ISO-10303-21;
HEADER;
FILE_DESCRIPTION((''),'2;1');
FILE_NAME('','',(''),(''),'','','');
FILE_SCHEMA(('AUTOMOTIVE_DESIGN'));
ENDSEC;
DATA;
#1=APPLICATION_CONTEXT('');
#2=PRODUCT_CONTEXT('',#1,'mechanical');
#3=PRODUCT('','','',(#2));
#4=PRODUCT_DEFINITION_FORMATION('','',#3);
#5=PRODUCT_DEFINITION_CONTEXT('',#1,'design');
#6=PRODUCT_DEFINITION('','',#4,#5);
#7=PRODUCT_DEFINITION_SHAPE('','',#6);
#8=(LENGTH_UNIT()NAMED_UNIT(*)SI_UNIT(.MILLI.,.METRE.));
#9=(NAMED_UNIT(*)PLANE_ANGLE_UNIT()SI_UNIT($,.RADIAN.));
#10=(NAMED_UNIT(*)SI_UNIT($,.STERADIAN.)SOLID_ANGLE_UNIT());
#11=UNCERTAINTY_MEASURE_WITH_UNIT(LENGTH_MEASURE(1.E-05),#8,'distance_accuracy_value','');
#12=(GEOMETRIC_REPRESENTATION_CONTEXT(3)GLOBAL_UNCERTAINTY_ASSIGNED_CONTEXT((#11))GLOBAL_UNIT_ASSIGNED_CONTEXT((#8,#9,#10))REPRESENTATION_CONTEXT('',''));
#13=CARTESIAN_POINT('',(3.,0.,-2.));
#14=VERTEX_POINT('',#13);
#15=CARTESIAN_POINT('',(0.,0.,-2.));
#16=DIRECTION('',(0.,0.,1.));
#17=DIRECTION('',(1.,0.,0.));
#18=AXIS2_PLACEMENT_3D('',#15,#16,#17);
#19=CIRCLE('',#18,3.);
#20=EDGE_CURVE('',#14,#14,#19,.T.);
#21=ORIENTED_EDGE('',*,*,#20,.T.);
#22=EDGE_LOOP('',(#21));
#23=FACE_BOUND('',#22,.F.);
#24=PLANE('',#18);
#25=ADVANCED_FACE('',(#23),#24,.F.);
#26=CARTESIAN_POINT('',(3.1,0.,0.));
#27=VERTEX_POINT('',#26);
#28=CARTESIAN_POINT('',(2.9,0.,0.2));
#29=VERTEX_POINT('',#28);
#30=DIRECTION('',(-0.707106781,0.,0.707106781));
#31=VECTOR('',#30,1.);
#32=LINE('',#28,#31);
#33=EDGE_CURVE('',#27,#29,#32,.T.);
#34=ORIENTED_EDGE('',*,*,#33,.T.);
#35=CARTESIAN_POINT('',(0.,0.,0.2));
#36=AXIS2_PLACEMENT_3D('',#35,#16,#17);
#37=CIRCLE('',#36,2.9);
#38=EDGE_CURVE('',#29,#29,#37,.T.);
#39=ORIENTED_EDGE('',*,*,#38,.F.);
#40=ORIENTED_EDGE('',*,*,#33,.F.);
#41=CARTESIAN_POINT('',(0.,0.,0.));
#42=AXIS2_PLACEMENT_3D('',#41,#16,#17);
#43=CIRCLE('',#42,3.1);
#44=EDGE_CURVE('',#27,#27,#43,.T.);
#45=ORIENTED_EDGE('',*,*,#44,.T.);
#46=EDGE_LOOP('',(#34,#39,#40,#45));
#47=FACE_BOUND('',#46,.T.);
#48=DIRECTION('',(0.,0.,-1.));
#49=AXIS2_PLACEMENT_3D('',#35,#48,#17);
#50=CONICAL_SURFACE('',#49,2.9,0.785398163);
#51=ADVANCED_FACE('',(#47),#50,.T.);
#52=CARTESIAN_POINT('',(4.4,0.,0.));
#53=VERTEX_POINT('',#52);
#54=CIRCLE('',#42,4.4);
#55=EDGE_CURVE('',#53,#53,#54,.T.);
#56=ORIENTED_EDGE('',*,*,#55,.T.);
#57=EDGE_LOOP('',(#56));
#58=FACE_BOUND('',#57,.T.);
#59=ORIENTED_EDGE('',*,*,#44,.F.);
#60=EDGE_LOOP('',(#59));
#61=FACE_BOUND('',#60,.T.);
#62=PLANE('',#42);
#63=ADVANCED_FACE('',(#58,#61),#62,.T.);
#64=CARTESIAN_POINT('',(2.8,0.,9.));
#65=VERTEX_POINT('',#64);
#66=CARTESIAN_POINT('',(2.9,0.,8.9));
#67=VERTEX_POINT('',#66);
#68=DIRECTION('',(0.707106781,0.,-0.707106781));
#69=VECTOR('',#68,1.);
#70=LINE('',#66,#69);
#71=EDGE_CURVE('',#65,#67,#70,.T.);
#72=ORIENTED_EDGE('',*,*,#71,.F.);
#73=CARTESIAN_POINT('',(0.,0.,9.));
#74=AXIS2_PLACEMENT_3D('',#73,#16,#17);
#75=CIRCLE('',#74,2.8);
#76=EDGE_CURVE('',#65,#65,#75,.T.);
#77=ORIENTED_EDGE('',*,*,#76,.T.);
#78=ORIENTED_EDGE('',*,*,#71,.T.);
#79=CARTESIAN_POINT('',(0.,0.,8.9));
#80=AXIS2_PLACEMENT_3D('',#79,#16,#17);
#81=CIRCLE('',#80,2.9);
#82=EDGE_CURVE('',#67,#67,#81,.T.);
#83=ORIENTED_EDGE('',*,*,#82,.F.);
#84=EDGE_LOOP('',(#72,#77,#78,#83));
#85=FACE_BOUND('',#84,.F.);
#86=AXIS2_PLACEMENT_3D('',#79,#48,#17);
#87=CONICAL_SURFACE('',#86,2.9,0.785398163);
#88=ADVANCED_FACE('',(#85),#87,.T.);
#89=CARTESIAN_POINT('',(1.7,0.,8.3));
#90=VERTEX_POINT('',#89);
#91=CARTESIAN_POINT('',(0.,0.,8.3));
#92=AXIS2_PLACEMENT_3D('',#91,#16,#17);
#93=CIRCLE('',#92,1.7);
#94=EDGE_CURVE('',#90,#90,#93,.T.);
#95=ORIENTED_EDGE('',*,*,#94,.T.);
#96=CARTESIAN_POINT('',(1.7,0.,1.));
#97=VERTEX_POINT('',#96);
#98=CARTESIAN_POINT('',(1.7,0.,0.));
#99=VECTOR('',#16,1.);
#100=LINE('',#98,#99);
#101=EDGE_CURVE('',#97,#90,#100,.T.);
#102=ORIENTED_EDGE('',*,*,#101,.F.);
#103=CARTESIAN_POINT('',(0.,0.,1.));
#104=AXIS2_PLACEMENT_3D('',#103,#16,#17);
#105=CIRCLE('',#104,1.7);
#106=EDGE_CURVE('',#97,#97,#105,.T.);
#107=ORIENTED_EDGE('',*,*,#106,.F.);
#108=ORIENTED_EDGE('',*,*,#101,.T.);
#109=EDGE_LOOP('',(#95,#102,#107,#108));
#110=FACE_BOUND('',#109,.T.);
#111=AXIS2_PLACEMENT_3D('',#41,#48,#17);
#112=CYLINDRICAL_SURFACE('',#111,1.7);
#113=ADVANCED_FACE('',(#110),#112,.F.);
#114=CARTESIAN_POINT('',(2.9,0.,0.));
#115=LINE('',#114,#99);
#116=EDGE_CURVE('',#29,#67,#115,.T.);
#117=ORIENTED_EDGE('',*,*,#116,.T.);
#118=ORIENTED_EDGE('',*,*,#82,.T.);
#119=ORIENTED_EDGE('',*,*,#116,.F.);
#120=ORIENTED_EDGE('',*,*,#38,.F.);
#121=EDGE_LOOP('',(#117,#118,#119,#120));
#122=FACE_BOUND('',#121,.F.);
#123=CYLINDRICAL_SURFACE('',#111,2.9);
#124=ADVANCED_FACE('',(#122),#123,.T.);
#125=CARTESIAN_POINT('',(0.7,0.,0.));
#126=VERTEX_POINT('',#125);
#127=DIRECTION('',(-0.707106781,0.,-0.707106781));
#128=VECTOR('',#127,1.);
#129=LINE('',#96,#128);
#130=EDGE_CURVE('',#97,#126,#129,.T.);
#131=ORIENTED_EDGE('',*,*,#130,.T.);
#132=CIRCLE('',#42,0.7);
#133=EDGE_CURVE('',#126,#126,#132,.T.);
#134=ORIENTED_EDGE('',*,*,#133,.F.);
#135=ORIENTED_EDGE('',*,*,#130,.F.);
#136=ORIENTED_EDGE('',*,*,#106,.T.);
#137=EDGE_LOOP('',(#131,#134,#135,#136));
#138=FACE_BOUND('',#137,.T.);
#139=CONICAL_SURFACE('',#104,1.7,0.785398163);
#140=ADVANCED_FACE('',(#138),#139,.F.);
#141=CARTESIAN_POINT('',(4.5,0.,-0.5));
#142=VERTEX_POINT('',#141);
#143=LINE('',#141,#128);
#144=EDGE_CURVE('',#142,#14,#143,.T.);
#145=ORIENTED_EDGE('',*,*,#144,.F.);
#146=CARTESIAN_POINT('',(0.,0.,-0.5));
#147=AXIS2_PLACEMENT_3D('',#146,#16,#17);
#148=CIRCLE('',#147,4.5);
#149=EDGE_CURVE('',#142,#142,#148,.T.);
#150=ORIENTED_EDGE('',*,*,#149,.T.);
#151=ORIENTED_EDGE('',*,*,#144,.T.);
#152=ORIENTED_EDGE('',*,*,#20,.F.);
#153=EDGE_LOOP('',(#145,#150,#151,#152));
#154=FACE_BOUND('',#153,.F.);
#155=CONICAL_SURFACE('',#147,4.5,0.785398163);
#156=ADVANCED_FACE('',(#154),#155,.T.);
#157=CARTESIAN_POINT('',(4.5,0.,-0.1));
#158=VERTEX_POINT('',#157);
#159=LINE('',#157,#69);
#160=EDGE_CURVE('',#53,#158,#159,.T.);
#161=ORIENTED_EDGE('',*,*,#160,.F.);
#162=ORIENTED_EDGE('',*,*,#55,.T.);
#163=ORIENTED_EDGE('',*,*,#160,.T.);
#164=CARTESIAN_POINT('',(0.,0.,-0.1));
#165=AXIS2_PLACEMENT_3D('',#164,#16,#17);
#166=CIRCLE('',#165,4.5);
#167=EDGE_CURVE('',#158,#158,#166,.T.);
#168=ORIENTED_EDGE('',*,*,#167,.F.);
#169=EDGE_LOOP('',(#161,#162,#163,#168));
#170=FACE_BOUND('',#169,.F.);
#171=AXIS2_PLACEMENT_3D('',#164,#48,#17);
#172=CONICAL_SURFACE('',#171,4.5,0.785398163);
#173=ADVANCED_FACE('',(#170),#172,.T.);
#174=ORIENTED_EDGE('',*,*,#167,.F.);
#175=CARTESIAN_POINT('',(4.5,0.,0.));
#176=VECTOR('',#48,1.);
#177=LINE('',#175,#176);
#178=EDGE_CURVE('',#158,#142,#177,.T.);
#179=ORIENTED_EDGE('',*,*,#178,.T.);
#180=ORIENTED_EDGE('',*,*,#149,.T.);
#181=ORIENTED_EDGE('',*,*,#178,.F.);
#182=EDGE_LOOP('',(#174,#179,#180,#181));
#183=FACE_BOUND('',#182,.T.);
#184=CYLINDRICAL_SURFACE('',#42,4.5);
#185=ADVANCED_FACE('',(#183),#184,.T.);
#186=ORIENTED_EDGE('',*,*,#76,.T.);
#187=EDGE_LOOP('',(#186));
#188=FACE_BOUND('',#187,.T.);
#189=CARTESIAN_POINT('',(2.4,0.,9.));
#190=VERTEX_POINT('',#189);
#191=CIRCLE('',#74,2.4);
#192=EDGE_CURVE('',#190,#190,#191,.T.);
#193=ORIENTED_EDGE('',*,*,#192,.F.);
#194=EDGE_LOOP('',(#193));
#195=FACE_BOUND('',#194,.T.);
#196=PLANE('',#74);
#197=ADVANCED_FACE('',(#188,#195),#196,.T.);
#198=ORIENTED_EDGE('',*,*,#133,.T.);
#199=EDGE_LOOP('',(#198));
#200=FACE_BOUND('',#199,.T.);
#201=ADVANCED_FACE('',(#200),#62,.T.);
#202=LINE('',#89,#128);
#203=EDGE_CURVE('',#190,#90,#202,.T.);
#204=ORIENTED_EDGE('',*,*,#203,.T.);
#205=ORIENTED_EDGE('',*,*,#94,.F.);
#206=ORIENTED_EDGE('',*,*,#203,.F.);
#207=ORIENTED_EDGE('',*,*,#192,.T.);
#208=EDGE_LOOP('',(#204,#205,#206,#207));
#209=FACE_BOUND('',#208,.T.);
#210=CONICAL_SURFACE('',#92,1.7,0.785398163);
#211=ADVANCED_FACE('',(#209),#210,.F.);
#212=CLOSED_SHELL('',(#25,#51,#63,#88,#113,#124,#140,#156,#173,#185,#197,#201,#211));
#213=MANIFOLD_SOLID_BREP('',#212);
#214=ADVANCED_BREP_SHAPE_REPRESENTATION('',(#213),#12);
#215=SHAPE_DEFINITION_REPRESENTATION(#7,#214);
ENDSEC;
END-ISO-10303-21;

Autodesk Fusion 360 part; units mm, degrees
sketch "Esquisse1" plane through (0, 0, 0) normal (0, 0, 1) x (1, 0, 0)
  circle A0 centre (0, 0) radius 4.5
  circle A1 centre (0, 0) radius 2.9
  circle A2 centre (0, 0) radius 1.7
  dimension "d1" = 5.8
  dimension "d2" = 3.4
  dimension "d3" = 9
extrude "Extrusion1" add sketch "Esquisse1" along normal blind 9 contours A1
extrude "Extrusion2" add sketch "Esquisse1" against normal blind 2 contours A0 | A1 | A2
chamfer "Chanfrein1" distance 1 angle 45 1 edges at (-1.585, 0.6147, 0)
chamfer "Chanfrein2" distance 1.5 angle 45 1 edges at (-4.1955, 1.6273, -2)
chamfer "Chanfrein3" distance 0.7 angle 45 1 edges at (-1.585, 0.6147, 9)
chamfer "Chanfrein4" distance 0.1 angle 45 1 edges at (-2.7037, -1.0487, 9)
chamfer "Chanfrein5" distance 0.1 angle 45 1 edges at (-4.1955, -1.6273, 0)
chamfer "Chanfrein6" distance 0.2 angle 45 1 edges at (-2.7037, -1.0487, 0)
